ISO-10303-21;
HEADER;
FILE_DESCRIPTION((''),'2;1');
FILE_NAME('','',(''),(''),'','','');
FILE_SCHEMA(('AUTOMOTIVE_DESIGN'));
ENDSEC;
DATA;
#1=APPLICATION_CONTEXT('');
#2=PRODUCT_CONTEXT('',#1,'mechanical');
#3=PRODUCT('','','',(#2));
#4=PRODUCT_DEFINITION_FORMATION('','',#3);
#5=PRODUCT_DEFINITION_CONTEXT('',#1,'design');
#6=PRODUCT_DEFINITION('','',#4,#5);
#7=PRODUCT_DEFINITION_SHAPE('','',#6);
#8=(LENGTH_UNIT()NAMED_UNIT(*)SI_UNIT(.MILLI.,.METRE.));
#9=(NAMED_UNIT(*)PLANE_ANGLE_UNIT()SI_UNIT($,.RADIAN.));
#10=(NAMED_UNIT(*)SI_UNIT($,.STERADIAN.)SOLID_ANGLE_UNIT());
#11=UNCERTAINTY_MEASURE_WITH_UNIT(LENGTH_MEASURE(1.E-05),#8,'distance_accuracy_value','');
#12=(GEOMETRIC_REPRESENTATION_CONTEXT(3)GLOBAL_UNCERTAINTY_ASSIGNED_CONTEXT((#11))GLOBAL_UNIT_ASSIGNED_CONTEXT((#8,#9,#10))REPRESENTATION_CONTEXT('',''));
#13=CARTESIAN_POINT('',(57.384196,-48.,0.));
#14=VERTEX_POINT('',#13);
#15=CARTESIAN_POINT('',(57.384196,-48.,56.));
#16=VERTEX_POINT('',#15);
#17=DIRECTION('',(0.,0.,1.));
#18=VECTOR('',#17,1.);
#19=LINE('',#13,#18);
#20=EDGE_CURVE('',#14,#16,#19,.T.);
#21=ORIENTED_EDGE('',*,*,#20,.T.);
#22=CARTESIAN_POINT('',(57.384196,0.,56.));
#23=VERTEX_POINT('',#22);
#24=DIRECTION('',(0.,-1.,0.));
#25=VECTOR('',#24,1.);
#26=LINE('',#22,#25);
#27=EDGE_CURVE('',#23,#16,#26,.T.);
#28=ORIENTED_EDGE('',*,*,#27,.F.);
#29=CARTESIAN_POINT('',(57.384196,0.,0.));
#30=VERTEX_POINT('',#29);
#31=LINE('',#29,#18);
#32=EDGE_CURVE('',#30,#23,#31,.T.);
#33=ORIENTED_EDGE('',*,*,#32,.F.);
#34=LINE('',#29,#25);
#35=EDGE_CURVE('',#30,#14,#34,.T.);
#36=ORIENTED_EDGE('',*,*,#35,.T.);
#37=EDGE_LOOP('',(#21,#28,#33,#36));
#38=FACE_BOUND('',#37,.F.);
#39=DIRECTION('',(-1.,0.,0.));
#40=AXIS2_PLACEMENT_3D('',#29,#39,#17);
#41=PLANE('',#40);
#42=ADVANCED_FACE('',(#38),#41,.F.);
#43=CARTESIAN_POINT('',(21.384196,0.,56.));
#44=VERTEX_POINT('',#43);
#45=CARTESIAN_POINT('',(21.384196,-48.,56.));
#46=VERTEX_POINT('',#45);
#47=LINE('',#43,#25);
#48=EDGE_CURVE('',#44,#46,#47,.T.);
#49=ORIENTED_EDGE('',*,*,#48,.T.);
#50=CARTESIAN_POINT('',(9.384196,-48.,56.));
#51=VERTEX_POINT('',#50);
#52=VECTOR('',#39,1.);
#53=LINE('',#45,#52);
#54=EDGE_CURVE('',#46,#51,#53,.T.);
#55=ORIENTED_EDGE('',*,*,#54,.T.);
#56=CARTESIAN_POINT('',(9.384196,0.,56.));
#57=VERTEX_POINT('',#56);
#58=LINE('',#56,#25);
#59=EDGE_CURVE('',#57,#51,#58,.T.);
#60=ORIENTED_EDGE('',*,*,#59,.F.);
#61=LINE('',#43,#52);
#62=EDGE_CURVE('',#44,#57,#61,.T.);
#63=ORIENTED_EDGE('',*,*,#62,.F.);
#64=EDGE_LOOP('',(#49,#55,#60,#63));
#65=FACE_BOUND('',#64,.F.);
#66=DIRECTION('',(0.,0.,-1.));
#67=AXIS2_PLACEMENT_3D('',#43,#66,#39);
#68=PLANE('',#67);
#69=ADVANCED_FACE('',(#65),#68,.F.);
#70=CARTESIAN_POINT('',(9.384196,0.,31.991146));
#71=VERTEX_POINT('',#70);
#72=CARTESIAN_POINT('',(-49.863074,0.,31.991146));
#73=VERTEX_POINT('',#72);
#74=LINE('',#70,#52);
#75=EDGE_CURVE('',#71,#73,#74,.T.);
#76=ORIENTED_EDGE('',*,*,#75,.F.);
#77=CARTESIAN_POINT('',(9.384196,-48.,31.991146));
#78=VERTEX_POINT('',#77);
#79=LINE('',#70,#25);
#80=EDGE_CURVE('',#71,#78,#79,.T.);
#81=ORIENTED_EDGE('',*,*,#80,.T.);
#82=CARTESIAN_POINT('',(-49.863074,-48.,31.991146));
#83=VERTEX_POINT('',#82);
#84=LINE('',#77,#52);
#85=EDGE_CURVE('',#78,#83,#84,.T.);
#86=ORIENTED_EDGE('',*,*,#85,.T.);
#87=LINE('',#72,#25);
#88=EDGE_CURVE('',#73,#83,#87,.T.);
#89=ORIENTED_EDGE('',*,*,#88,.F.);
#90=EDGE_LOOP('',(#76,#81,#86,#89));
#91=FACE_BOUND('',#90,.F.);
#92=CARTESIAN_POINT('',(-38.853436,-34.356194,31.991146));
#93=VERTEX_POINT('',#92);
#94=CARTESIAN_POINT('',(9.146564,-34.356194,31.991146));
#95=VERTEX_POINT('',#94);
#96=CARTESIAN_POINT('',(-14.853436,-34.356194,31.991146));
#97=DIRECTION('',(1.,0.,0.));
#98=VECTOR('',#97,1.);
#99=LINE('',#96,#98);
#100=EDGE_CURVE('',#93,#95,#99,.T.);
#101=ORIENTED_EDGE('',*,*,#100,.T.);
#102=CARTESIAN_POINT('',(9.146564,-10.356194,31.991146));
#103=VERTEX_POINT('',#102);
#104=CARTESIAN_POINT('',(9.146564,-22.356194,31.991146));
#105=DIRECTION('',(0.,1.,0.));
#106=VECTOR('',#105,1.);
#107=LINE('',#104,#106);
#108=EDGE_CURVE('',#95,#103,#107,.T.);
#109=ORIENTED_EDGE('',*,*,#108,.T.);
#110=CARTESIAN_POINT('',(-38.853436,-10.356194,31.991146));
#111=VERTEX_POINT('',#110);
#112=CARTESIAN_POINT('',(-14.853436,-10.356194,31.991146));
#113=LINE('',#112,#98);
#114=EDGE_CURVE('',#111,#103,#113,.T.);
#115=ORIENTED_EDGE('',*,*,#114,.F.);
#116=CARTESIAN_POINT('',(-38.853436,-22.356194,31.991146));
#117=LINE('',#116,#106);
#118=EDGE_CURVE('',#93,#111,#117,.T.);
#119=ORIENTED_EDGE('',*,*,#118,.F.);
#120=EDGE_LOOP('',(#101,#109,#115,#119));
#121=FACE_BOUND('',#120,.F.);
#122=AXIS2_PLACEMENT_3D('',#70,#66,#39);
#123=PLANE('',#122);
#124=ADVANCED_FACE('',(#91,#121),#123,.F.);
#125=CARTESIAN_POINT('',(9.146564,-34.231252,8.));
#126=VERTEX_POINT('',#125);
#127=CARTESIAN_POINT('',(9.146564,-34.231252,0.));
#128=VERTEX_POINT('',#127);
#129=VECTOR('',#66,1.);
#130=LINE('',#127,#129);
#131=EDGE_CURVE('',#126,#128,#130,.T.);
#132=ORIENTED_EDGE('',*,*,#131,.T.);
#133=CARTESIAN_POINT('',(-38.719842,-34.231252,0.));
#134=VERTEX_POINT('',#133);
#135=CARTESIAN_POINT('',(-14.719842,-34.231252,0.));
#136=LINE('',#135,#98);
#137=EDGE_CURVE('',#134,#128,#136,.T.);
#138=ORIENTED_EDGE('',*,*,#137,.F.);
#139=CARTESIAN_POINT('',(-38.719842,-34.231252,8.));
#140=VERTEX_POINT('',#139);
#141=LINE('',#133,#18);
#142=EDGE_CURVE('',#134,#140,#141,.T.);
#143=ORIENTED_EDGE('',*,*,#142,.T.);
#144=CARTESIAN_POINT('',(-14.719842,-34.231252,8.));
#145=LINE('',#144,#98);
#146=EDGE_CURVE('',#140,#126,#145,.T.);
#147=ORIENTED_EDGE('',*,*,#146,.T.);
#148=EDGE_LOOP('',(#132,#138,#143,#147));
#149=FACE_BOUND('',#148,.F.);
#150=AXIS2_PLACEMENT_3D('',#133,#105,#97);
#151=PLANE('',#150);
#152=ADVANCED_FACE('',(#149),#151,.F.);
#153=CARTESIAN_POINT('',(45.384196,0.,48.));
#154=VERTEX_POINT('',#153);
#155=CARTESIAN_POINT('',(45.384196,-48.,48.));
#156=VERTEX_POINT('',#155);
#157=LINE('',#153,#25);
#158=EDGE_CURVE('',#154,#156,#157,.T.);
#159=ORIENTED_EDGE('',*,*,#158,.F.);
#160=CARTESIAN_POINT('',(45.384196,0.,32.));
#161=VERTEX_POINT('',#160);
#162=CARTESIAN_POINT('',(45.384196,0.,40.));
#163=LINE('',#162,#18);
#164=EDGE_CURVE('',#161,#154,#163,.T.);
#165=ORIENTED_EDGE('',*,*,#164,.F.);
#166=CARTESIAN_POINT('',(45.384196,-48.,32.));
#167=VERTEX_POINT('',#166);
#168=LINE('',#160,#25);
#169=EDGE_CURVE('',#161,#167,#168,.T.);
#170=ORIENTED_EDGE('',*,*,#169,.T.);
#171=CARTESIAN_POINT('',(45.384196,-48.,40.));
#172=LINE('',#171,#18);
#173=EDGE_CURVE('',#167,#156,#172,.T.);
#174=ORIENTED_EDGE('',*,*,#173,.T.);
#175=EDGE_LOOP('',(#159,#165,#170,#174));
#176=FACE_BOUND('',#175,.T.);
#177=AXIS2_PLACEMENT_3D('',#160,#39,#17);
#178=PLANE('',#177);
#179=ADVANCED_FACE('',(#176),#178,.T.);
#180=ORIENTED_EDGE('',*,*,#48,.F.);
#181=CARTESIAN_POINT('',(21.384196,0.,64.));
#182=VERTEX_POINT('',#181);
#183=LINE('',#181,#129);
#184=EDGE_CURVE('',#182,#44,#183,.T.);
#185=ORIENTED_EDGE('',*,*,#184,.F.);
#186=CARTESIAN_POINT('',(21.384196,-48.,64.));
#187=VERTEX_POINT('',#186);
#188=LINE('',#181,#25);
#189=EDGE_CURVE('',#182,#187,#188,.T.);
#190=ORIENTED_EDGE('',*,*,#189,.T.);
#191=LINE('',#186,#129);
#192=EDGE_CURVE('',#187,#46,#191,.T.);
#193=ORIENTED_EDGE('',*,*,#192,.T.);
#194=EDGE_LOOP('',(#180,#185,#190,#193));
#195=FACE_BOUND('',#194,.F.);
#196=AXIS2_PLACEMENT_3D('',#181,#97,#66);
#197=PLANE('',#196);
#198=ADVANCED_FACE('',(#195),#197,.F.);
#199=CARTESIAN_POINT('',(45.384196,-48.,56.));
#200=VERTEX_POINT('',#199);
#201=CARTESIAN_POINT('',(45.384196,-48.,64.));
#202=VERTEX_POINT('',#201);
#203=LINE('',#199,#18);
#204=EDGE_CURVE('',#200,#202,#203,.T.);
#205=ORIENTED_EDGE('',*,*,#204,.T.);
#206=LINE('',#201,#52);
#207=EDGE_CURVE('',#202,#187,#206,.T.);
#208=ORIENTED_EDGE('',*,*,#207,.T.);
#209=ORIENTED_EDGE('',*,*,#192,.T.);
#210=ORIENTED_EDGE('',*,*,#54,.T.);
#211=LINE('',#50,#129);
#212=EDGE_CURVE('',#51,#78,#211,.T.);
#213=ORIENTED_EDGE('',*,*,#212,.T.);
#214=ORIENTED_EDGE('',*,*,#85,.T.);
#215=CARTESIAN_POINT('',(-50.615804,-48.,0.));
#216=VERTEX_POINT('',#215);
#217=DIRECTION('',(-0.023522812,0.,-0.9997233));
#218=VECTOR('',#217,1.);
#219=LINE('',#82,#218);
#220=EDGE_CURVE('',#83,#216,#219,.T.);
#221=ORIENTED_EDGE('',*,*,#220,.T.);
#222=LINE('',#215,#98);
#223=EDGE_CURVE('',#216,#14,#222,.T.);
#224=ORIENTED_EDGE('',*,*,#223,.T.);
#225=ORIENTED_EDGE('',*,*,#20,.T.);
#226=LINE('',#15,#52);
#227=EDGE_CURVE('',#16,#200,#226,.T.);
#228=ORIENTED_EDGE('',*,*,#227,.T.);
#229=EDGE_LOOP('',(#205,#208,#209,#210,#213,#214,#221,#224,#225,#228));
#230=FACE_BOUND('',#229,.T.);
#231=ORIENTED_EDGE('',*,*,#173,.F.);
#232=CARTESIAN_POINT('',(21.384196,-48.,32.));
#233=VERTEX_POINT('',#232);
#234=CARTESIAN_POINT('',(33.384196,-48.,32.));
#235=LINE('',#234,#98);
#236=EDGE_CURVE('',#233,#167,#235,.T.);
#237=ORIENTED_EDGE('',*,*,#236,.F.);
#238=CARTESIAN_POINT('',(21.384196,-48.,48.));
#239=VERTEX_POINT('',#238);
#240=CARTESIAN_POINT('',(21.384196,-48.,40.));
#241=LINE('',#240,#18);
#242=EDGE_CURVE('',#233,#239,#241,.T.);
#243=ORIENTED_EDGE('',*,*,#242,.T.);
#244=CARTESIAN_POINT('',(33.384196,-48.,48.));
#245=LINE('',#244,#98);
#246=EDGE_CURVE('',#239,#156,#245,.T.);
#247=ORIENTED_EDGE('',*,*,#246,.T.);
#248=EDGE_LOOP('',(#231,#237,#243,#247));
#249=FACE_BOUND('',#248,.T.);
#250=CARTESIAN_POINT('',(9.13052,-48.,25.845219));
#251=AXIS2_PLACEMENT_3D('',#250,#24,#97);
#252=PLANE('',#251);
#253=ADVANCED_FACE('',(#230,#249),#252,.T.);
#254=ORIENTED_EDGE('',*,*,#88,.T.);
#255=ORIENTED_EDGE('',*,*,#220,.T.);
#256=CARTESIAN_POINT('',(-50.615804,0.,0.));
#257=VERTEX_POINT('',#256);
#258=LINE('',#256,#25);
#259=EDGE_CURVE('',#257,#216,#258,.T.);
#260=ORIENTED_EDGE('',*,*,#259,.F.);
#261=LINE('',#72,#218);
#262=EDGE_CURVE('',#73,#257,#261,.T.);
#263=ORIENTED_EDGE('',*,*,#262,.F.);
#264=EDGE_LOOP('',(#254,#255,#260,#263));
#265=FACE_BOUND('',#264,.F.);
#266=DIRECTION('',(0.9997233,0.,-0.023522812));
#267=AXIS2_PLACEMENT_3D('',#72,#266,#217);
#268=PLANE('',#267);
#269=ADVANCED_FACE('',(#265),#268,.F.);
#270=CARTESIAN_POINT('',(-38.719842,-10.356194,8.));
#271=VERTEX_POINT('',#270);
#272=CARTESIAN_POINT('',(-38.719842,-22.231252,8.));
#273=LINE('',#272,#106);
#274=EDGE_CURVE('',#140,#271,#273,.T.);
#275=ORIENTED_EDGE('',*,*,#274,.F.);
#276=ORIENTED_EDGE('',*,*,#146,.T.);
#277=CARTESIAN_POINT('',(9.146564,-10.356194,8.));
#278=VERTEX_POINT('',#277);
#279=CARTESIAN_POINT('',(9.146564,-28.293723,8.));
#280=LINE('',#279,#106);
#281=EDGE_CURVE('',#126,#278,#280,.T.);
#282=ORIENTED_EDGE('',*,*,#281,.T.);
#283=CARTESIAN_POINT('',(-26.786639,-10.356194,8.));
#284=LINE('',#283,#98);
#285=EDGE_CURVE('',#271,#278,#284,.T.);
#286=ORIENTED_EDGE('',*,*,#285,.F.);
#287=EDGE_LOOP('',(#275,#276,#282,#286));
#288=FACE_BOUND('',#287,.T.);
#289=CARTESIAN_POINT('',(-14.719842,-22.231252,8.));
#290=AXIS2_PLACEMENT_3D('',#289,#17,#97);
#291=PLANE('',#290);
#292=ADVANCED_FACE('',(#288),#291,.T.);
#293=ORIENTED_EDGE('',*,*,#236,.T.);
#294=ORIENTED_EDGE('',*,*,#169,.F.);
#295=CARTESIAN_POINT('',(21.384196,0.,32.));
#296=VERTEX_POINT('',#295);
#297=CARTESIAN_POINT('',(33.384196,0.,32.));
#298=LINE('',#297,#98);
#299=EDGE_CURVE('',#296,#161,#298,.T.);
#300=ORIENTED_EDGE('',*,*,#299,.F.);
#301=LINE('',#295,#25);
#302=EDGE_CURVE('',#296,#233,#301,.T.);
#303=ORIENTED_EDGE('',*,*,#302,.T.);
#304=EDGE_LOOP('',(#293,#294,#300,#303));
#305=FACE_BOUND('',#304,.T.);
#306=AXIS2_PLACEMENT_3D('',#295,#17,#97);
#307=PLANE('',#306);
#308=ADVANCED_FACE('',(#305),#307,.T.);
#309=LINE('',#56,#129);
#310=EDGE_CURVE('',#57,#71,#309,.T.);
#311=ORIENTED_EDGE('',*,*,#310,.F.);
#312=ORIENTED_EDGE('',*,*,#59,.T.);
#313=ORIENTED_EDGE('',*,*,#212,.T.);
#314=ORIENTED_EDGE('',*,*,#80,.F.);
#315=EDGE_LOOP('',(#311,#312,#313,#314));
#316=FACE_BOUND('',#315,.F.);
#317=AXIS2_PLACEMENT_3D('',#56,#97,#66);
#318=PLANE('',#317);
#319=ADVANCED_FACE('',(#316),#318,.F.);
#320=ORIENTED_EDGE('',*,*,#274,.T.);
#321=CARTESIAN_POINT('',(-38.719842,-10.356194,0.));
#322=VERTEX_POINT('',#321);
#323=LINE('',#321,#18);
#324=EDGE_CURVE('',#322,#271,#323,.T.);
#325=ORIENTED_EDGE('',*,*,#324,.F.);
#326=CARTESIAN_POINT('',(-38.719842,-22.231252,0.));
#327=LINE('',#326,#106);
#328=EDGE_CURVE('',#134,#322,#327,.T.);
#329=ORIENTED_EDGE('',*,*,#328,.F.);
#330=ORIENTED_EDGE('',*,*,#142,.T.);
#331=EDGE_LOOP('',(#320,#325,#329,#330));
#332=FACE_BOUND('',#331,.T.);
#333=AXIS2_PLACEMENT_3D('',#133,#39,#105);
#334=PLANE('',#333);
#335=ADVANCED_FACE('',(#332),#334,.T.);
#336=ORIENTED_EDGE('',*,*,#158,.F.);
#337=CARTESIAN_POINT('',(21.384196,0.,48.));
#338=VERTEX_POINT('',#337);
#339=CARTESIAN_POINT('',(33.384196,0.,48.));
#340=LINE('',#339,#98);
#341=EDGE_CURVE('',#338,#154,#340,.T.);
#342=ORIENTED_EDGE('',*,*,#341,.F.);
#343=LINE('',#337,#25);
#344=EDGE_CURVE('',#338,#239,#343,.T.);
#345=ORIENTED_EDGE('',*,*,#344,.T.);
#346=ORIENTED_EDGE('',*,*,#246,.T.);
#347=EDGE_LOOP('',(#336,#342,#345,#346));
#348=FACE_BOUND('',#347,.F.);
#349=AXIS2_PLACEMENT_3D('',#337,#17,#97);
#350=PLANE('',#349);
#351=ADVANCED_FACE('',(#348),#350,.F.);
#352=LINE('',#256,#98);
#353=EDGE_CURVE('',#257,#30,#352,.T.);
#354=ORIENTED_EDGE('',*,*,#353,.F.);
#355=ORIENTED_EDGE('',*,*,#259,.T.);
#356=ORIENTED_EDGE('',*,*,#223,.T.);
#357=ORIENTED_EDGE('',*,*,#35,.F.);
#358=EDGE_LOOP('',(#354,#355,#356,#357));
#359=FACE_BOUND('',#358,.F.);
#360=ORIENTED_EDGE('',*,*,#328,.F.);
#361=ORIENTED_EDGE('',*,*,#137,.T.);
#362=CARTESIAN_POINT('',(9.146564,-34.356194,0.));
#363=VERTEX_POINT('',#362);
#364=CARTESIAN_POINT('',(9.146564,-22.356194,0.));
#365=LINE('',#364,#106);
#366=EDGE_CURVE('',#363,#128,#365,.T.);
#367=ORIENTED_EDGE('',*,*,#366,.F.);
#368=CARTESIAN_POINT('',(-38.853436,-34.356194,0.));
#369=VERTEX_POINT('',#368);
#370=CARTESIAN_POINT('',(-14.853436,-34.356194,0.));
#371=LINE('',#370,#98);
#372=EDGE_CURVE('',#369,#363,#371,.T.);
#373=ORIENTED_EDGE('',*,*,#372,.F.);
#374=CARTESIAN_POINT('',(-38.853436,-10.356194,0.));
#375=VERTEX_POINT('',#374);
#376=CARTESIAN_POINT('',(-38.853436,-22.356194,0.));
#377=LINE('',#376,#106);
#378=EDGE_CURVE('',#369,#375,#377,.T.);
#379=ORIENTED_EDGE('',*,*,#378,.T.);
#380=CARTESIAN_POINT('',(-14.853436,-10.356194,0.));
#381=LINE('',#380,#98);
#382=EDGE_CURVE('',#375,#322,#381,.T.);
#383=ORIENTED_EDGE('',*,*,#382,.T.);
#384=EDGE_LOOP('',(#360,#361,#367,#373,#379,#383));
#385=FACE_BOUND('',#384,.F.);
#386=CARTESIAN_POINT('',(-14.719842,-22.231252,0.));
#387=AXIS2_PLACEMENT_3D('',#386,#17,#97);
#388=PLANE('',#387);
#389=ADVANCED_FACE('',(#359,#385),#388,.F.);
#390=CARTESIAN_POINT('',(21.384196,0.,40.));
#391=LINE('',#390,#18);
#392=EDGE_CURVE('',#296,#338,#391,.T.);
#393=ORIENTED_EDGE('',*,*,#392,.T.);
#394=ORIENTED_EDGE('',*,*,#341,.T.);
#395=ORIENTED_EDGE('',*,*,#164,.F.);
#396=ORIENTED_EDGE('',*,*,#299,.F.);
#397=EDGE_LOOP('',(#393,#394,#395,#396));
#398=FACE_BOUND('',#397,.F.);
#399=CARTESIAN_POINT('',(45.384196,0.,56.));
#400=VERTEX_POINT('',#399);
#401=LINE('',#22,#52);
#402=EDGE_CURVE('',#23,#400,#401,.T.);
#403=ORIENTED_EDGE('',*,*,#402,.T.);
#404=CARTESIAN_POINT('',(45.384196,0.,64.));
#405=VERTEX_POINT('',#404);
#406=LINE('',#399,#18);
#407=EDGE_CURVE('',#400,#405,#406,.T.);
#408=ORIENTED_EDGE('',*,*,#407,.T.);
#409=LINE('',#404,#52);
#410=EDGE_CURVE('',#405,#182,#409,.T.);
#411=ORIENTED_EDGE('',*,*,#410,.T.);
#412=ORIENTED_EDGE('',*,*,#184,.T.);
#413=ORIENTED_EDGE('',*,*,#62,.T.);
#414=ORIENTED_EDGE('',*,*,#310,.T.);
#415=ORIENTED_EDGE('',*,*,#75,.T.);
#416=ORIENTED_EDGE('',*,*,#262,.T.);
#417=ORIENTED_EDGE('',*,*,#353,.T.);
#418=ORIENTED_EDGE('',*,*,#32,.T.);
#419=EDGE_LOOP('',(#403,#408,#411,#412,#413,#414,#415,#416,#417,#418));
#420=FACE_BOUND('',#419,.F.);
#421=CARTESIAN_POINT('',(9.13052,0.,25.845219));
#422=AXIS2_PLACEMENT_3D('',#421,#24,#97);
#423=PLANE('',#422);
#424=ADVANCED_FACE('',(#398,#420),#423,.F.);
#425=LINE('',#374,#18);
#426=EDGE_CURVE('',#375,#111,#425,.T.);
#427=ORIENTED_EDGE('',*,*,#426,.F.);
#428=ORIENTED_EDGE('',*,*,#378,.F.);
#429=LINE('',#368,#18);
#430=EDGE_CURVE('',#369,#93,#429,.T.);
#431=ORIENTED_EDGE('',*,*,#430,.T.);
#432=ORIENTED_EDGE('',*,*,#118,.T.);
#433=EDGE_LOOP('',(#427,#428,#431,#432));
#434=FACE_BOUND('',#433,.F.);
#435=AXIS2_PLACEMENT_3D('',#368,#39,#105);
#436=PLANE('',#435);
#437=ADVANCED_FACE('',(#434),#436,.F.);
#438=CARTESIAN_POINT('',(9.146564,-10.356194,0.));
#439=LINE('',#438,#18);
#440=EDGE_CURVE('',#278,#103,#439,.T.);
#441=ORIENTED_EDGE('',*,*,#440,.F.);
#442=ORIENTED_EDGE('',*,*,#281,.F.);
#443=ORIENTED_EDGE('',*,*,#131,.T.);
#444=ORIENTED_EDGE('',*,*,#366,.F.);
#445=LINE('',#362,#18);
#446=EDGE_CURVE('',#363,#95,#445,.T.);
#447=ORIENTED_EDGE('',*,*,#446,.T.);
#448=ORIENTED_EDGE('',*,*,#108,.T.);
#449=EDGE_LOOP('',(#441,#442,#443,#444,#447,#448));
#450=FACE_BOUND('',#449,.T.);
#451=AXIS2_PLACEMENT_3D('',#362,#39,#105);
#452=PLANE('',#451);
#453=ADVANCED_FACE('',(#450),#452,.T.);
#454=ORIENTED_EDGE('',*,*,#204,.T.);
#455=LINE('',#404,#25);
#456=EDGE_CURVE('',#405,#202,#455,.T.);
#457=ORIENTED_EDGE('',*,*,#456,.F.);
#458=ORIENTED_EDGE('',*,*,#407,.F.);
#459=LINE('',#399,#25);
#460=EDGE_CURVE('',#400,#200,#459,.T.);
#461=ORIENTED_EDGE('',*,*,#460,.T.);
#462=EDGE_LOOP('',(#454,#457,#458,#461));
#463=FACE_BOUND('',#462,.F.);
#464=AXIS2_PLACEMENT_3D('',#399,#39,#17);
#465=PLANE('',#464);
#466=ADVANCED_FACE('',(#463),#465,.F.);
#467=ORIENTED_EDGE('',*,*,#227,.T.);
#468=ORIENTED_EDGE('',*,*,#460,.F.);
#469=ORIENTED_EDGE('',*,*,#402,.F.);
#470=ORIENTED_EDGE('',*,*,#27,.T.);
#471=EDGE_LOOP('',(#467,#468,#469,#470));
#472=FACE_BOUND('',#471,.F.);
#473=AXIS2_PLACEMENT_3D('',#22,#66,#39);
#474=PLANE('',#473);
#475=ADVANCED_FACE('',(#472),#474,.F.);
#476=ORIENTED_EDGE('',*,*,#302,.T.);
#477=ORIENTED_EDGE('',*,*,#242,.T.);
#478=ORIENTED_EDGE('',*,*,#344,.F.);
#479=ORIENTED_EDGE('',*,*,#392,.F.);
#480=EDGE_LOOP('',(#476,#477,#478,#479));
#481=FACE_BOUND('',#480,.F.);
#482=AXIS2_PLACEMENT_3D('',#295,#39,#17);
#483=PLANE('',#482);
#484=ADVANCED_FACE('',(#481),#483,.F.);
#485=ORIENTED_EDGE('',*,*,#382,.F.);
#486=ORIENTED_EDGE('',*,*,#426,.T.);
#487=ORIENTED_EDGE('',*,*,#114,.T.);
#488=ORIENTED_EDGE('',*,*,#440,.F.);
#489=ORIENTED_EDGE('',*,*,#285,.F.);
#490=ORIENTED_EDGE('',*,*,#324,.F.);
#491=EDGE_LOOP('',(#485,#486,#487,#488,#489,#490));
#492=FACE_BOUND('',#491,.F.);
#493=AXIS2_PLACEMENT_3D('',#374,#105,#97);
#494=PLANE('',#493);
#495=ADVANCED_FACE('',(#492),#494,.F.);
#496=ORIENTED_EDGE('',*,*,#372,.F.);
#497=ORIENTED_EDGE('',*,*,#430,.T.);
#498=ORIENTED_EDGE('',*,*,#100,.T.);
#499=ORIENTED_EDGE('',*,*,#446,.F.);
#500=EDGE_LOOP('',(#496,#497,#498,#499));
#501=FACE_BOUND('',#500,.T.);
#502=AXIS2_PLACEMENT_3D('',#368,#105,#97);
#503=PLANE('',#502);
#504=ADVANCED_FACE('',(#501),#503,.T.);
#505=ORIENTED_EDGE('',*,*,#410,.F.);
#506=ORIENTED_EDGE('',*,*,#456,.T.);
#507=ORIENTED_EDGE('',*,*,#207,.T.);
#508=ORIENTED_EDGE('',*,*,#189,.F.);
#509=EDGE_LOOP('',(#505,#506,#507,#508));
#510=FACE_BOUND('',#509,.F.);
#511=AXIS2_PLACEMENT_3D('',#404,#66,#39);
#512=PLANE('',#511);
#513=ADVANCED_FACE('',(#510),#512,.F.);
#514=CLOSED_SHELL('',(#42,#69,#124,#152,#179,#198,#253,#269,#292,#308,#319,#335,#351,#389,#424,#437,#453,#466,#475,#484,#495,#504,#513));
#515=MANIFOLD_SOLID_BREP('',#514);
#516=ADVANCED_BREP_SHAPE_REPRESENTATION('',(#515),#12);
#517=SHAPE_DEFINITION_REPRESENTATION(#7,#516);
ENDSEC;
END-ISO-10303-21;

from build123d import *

# Parameters (mm, degrees)
F0_W     = 24
F0_H     = 16
F1_DEPTH = 48
F2_W     = 48
F2_H     = 24
F3_DEPTH = 31.991146
F4_W     = 48
F4_H     = 24
F5_DEPTH = 8


with BuildPart() as f1:
    # F0 (on Front) → F1 (new body)
    with BuildSketch(Plane.XZ):
        Polygon((-49.863074, 31.991146), (-50.615804, 0), (57.384196, 0), (57.384196, 56), (45.384196, 56), (45.384196, 64), (21.384196, 64), (21.384196, 56), (9.384196, 56), (9.384196, 31.991146), align=None)
        with Locations((33.384196, 40)):
            Rectangle(F0_W, F0_H, mode=Mode.SUBTRACT)
    extrude(amount=F1_DEPTH)

    # F2 (on Top) → F3 (cut, through all)
    with BuildSketch(Plane.XY):
        with Locations((-14.853436, -22.356194)):
            Rectangle(F2_W, F2_H)
    extrude(amount=F3_DEPTH, mode=Mode.SUBTRACT)

    # F4 (on Top) → F5 (join)
    with BuildSketch(Plane.XY):
        with Locations((-14.719842, -22.231252)):
            Rectangle(F4_W, F4_H)
    extrude(amount=F5_DEPTH)


solid = f1.part
